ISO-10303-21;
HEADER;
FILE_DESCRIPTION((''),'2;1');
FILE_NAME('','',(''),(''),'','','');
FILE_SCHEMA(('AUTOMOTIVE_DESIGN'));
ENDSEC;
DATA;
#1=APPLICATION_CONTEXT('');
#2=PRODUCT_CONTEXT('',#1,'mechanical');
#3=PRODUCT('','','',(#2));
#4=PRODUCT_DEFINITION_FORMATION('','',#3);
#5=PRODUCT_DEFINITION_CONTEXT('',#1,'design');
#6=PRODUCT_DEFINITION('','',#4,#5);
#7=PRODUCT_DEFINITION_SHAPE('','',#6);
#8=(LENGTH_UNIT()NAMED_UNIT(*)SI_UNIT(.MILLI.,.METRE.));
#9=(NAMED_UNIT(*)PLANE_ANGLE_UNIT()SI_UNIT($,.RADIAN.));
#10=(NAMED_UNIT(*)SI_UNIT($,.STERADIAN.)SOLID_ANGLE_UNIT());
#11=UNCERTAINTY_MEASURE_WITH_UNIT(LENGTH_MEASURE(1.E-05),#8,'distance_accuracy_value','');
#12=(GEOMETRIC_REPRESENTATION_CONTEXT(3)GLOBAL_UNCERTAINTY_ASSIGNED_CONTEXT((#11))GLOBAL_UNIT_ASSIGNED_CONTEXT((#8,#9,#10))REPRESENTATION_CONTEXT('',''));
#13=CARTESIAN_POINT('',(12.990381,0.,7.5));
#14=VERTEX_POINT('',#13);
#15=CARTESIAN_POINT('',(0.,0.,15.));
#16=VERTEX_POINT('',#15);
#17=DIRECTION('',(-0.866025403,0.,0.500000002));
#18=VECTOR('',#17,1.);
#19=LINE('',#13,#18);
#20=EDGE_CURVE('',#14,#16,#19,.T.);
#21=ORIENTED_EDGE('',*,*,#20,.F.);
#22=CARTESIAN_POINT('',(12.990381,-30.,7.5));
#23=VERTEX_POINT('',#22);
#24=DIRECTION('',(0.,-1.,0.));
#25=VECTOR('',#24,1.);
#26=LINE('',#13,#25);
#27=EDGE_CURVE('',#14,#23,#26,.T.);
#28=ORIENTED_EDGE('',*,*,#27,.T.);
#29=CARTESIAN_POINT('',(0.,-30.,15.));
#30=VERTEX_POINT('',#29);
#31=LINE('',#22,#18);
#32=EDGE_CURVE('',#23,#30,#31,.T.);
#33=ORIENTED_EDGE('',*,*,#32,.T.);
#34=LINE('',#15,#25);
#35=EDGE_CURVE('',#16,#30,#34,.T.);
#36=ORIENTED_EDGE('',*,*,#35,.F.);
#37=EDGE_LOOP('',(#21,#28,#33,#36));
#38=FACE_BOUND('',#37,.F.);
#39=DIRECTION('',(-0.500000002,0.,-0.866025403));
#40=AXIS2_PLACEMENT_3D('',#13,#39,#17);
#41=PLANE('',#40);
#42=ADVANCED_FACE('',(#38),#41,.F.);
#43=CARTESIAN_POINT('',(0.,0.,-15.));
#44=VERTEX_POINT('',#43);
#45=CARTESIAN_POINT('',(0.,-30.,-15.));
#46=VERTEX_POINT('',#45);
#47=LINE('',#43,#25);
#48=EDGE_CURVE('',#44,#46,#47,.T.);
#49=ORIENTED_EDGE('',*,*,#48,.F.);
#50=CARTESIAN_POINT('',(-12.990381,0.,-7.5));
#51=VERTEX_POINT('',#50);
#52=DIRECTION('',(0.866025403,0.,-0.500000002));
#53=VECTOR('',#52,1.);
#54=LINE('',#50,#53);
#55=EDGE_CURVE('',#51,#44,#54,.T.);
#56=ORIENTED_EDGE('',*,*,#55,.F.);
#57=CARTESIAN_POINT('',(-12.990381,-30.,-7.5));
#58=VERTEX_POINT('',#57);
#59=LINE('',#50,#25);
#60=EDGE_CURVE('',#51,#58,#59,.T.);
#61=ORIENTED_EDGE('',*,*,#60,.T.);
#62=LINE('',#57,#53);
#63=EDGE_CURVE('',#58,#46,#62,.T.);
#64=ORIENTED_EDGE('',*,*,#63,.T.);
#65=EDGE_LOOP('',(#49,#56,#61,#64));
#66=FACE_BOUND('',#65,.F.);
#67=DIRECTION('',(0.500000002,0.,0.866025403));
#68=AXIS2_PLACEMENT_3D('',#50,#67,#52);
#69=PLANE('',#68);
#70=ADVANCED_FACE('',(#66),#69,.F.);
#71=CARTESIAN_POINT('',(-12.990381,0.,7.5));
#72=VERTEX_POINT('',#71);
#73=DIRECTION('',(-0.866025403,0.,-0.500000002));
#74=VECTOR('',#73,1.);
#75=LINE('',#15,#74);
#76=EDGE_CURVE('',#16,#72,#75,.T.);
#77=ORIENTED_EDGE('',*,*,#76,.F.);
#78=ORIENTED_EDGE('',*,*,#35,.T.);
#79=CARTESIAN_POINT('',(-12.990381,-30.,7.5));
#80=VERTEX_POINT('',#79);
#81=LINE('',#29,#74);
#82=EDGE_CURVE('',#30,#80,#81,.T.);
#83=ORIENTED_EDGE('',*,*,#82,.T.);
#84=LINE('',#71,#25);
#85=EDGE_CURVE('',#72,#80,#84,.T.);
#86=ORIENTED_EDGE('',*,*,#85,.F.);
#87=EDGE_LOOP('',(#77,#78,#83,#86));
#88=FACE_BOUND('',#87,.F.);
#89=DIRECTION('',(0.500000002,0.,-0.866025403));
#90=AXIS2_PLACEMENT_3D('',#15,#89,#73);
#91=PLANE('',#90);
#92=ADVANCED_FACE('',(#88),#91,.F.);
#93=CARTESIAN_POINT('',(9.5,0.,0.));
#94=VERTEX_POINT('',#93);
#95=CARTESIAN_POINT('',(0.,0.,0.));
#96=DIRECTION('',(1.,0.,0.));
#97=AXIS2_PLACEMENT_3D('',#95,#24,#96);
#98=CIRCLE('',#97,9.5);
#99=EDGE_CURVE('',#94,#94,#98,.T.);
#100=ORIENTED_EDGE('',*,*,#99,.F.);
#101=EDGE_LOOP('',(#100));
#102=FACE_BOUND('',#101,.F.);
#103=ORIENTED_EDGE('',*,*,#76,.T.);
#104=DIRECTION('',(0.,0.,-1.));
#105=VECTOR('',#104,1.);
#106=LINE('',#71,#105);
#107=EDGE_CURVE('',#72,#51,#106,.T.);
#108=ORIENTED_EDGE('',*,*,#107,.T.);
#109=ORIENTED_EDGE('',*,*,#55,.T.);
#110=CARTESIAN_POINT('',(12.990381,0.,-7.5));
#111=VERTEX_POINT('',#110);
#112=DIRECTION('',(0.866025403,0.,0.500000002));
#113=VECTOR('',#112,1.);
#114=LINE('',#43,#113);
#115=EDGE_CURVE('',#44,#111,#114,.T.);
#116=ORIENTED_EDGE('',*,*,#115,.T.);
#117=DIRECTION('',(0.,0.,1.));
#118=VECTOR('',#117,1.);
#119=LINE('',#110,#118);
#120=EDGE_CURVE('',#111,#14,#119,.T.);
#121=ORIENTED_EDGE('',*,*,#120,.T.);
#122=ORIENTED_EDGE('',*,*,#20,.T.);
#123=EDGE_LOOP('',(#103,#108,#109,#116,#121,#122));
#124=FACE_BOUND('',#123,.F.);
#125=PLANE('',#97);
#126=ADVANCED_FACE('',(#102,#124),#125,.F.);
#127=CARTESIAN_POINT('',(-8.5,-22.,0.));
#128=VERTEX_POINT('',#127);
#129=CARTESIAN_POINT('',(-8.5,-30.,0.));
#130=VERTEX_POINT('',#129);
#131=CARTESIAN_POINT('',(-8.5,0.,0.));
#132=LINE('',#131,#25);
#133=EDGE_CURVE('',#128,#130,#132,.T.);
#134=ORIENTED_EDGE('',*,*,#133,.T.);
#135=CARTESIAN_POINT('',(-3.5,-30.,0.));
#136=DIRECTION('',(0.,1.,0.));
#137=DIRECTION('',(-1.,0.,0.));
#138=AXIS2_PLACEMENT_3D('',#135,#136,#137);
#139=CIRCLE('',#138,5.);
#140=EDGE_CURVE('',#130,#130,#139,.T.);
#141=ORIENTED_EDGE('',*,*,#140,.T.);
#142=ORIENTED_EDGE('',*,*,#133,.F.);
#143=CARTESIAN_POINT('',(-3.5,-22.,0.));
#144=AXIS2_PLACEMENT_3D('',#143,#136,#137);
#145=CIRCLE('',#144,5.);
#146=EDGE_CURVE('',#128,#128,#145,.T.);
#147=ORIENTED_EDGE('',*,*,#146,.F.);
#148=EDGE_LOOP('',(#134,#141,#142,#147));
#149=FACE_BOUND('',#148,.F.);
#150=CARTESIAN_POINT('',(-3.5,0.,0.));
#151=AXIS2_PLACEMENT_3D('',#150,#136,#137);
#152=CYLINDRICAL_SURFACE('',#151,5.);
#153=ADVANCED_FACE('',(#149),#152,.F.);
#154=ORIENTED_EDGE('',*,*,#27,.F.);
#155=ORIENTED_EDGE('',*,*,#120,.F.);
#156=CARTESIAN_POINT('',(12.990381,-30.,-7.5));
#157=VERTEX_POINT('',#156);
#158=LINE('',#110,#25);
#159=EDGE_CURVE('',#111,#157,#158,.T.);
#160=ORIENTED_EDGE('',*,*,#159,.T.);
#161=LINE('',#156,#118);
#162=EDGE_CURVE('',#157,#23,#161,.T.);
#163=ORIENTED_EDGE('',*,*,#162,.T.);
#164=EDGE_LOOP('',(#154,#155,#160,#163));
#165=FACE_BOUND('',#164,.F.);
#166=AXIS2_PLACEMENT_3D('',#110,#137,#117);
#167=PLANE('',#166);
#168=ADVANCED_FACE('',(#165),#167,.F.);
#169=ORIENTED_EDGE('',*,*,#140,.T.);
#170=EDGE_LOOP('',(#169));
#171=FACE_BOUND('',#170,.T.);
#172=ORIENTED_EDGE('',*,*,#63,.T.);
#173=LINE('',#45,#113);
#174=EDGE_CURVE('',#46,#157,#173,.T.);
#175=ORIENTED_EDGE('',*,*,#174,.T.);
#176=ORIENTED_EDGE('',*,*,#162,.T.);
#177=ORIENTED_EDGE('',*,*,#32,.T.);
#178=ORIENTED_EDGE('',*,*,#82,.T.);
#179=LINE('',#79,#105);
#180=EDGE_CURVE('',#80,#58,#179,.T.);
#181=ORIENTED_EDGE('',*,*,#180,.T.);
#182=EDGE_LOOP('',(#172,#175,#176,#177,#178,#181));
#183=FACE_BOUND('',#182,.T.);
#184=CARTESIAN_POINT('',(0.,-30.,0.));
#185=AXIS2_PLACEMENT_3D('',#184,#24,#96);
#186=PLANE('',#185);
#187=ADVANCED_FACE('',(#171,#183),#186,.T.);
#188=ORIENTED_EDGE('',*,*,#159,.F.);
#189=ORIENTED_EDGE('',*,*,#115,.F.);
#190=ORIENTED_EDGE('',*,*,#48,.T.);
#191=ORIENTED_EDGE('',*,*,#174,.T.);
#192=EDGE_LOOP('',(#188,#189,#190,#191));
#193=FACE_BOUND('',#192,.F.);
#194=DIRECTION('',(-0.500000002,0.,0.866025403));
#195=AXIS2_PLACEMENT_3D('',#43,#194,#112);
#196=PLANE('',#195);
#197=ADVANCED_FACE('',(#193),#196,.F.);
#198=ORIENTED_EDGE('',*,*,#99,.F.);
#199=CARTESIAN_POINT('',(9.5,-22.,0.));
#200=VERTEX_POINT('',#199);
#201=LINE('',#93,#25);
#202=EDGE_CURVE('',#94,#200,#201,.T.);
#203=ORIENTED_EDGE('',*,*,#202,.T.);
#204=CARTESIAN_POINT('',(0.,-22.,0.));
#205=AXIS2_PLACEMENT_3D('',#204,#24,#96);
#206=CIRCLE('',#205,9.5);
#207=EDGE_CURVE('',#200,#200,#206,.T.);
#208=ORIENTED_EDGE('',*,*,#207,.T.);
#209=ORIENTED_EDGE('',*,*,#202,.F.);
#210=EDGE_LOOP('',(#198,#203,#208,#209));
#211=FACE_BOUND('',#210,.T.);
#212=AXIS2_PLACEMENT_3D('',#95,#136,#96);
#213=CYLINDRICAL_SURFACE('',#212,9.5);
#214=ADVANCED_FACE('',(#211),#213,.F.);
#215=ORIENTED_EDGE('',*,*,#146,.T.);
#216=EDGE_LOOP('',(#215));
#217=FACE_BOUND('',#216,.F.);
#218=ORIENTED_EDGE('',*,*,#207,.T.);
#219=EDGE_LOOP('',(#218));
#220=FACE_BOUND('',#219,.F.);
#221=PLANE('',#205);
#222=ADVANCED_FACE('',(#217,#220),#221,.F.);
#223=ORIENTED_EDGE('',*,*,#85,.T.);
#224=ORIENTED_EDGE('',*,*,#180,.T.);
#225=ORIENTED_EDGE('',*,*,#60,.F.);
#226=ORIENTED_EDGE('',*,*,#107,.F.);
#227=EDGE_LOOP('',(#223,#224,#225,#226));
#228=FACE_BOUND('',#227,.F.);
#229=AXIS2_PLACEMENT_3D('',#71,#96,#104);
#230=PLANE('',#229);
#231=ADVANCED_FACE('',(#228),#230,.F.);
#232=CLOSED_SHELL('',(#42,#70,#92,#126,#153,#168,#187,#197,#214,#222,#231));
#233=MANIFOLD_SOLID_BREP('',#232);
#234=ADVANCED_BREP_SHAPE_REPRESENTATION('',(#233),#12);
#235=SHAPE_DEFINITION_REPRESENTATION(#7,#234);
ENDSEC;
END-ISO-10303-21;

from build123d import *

# Parameters (mm, degrees)
F1_DEPTH = 30
F2_DEPTH = 22


with BuildPart() as f1:
    # F0 (on Front) → F1 (new body)
    with BuildSketch(Plane.XZ):
        Polygon((0, 15), (-12.990381, 7.5), (-12.990381, -7.5), (0, -15), (12.990381, -7.5), (12.990381, 7.5), align=None)
        with BuildLine():
            ThreePointArc((-9.5, 0), (0, 9.5), (9.5, 0))
            ThreePointArc((9.5, 0), (0, -9.5), (-9.5, 0))
        make_face(mode=Mode.SUBTRACT)
        with BuildLine():
            ThreePointArc((-9.5, 0), (0, -9.5), (9.5, 0))
            ThreePointArc((9.5, 0), (0, 9.5), (-9.5, 0))
        make_face()
        with BuildLine():
            ThreePointArc((1.5, 0), (-3.5, -5), (-8.5, 0))
            ThreePointArc((-8.5, 0), (-3.5, 5), (1.5, 0))
        make_face(mode=Mode.SUBTRACT)
    extrude(amount=F1_DEPTH)


with BuildPart() as f2:
    # F0 (on Front) → F2 (new body)
    with BuildSketch(Plane.XZ):
        with BuildLine():
            ThreePointArc((-9.5, 0), (0, -9.5), (9.5, 0))
            ThreePointArc((9.5, 0), (0, 9.5), (-9.5, 0))
        make_face()
        with BuildLine():
            ThreePointArc((1.5, 0), (-3.5, -5), (-8.5, 0))
            ThreePointArc((-8.5, 0), (-3.5, 5), (1.5, 0))
        make_face(mode=Mode.SUBTRACT)
        with BuildLine():
            ThreePointArc((1.5, 0), (-3.5, 5), (-8.5, 0))
            ThreePointArc((-8.5, 0), (-3.5, -5), (1.5, 0))
        make_face()
    extrude(amount=F2_DEPTH)


with BuildPart() as f1_1:
    add(f1.part)

    # F3: cut F2
    add(f2.part, mode=Mode.SUBTRACT)


solid = f1_1.part
